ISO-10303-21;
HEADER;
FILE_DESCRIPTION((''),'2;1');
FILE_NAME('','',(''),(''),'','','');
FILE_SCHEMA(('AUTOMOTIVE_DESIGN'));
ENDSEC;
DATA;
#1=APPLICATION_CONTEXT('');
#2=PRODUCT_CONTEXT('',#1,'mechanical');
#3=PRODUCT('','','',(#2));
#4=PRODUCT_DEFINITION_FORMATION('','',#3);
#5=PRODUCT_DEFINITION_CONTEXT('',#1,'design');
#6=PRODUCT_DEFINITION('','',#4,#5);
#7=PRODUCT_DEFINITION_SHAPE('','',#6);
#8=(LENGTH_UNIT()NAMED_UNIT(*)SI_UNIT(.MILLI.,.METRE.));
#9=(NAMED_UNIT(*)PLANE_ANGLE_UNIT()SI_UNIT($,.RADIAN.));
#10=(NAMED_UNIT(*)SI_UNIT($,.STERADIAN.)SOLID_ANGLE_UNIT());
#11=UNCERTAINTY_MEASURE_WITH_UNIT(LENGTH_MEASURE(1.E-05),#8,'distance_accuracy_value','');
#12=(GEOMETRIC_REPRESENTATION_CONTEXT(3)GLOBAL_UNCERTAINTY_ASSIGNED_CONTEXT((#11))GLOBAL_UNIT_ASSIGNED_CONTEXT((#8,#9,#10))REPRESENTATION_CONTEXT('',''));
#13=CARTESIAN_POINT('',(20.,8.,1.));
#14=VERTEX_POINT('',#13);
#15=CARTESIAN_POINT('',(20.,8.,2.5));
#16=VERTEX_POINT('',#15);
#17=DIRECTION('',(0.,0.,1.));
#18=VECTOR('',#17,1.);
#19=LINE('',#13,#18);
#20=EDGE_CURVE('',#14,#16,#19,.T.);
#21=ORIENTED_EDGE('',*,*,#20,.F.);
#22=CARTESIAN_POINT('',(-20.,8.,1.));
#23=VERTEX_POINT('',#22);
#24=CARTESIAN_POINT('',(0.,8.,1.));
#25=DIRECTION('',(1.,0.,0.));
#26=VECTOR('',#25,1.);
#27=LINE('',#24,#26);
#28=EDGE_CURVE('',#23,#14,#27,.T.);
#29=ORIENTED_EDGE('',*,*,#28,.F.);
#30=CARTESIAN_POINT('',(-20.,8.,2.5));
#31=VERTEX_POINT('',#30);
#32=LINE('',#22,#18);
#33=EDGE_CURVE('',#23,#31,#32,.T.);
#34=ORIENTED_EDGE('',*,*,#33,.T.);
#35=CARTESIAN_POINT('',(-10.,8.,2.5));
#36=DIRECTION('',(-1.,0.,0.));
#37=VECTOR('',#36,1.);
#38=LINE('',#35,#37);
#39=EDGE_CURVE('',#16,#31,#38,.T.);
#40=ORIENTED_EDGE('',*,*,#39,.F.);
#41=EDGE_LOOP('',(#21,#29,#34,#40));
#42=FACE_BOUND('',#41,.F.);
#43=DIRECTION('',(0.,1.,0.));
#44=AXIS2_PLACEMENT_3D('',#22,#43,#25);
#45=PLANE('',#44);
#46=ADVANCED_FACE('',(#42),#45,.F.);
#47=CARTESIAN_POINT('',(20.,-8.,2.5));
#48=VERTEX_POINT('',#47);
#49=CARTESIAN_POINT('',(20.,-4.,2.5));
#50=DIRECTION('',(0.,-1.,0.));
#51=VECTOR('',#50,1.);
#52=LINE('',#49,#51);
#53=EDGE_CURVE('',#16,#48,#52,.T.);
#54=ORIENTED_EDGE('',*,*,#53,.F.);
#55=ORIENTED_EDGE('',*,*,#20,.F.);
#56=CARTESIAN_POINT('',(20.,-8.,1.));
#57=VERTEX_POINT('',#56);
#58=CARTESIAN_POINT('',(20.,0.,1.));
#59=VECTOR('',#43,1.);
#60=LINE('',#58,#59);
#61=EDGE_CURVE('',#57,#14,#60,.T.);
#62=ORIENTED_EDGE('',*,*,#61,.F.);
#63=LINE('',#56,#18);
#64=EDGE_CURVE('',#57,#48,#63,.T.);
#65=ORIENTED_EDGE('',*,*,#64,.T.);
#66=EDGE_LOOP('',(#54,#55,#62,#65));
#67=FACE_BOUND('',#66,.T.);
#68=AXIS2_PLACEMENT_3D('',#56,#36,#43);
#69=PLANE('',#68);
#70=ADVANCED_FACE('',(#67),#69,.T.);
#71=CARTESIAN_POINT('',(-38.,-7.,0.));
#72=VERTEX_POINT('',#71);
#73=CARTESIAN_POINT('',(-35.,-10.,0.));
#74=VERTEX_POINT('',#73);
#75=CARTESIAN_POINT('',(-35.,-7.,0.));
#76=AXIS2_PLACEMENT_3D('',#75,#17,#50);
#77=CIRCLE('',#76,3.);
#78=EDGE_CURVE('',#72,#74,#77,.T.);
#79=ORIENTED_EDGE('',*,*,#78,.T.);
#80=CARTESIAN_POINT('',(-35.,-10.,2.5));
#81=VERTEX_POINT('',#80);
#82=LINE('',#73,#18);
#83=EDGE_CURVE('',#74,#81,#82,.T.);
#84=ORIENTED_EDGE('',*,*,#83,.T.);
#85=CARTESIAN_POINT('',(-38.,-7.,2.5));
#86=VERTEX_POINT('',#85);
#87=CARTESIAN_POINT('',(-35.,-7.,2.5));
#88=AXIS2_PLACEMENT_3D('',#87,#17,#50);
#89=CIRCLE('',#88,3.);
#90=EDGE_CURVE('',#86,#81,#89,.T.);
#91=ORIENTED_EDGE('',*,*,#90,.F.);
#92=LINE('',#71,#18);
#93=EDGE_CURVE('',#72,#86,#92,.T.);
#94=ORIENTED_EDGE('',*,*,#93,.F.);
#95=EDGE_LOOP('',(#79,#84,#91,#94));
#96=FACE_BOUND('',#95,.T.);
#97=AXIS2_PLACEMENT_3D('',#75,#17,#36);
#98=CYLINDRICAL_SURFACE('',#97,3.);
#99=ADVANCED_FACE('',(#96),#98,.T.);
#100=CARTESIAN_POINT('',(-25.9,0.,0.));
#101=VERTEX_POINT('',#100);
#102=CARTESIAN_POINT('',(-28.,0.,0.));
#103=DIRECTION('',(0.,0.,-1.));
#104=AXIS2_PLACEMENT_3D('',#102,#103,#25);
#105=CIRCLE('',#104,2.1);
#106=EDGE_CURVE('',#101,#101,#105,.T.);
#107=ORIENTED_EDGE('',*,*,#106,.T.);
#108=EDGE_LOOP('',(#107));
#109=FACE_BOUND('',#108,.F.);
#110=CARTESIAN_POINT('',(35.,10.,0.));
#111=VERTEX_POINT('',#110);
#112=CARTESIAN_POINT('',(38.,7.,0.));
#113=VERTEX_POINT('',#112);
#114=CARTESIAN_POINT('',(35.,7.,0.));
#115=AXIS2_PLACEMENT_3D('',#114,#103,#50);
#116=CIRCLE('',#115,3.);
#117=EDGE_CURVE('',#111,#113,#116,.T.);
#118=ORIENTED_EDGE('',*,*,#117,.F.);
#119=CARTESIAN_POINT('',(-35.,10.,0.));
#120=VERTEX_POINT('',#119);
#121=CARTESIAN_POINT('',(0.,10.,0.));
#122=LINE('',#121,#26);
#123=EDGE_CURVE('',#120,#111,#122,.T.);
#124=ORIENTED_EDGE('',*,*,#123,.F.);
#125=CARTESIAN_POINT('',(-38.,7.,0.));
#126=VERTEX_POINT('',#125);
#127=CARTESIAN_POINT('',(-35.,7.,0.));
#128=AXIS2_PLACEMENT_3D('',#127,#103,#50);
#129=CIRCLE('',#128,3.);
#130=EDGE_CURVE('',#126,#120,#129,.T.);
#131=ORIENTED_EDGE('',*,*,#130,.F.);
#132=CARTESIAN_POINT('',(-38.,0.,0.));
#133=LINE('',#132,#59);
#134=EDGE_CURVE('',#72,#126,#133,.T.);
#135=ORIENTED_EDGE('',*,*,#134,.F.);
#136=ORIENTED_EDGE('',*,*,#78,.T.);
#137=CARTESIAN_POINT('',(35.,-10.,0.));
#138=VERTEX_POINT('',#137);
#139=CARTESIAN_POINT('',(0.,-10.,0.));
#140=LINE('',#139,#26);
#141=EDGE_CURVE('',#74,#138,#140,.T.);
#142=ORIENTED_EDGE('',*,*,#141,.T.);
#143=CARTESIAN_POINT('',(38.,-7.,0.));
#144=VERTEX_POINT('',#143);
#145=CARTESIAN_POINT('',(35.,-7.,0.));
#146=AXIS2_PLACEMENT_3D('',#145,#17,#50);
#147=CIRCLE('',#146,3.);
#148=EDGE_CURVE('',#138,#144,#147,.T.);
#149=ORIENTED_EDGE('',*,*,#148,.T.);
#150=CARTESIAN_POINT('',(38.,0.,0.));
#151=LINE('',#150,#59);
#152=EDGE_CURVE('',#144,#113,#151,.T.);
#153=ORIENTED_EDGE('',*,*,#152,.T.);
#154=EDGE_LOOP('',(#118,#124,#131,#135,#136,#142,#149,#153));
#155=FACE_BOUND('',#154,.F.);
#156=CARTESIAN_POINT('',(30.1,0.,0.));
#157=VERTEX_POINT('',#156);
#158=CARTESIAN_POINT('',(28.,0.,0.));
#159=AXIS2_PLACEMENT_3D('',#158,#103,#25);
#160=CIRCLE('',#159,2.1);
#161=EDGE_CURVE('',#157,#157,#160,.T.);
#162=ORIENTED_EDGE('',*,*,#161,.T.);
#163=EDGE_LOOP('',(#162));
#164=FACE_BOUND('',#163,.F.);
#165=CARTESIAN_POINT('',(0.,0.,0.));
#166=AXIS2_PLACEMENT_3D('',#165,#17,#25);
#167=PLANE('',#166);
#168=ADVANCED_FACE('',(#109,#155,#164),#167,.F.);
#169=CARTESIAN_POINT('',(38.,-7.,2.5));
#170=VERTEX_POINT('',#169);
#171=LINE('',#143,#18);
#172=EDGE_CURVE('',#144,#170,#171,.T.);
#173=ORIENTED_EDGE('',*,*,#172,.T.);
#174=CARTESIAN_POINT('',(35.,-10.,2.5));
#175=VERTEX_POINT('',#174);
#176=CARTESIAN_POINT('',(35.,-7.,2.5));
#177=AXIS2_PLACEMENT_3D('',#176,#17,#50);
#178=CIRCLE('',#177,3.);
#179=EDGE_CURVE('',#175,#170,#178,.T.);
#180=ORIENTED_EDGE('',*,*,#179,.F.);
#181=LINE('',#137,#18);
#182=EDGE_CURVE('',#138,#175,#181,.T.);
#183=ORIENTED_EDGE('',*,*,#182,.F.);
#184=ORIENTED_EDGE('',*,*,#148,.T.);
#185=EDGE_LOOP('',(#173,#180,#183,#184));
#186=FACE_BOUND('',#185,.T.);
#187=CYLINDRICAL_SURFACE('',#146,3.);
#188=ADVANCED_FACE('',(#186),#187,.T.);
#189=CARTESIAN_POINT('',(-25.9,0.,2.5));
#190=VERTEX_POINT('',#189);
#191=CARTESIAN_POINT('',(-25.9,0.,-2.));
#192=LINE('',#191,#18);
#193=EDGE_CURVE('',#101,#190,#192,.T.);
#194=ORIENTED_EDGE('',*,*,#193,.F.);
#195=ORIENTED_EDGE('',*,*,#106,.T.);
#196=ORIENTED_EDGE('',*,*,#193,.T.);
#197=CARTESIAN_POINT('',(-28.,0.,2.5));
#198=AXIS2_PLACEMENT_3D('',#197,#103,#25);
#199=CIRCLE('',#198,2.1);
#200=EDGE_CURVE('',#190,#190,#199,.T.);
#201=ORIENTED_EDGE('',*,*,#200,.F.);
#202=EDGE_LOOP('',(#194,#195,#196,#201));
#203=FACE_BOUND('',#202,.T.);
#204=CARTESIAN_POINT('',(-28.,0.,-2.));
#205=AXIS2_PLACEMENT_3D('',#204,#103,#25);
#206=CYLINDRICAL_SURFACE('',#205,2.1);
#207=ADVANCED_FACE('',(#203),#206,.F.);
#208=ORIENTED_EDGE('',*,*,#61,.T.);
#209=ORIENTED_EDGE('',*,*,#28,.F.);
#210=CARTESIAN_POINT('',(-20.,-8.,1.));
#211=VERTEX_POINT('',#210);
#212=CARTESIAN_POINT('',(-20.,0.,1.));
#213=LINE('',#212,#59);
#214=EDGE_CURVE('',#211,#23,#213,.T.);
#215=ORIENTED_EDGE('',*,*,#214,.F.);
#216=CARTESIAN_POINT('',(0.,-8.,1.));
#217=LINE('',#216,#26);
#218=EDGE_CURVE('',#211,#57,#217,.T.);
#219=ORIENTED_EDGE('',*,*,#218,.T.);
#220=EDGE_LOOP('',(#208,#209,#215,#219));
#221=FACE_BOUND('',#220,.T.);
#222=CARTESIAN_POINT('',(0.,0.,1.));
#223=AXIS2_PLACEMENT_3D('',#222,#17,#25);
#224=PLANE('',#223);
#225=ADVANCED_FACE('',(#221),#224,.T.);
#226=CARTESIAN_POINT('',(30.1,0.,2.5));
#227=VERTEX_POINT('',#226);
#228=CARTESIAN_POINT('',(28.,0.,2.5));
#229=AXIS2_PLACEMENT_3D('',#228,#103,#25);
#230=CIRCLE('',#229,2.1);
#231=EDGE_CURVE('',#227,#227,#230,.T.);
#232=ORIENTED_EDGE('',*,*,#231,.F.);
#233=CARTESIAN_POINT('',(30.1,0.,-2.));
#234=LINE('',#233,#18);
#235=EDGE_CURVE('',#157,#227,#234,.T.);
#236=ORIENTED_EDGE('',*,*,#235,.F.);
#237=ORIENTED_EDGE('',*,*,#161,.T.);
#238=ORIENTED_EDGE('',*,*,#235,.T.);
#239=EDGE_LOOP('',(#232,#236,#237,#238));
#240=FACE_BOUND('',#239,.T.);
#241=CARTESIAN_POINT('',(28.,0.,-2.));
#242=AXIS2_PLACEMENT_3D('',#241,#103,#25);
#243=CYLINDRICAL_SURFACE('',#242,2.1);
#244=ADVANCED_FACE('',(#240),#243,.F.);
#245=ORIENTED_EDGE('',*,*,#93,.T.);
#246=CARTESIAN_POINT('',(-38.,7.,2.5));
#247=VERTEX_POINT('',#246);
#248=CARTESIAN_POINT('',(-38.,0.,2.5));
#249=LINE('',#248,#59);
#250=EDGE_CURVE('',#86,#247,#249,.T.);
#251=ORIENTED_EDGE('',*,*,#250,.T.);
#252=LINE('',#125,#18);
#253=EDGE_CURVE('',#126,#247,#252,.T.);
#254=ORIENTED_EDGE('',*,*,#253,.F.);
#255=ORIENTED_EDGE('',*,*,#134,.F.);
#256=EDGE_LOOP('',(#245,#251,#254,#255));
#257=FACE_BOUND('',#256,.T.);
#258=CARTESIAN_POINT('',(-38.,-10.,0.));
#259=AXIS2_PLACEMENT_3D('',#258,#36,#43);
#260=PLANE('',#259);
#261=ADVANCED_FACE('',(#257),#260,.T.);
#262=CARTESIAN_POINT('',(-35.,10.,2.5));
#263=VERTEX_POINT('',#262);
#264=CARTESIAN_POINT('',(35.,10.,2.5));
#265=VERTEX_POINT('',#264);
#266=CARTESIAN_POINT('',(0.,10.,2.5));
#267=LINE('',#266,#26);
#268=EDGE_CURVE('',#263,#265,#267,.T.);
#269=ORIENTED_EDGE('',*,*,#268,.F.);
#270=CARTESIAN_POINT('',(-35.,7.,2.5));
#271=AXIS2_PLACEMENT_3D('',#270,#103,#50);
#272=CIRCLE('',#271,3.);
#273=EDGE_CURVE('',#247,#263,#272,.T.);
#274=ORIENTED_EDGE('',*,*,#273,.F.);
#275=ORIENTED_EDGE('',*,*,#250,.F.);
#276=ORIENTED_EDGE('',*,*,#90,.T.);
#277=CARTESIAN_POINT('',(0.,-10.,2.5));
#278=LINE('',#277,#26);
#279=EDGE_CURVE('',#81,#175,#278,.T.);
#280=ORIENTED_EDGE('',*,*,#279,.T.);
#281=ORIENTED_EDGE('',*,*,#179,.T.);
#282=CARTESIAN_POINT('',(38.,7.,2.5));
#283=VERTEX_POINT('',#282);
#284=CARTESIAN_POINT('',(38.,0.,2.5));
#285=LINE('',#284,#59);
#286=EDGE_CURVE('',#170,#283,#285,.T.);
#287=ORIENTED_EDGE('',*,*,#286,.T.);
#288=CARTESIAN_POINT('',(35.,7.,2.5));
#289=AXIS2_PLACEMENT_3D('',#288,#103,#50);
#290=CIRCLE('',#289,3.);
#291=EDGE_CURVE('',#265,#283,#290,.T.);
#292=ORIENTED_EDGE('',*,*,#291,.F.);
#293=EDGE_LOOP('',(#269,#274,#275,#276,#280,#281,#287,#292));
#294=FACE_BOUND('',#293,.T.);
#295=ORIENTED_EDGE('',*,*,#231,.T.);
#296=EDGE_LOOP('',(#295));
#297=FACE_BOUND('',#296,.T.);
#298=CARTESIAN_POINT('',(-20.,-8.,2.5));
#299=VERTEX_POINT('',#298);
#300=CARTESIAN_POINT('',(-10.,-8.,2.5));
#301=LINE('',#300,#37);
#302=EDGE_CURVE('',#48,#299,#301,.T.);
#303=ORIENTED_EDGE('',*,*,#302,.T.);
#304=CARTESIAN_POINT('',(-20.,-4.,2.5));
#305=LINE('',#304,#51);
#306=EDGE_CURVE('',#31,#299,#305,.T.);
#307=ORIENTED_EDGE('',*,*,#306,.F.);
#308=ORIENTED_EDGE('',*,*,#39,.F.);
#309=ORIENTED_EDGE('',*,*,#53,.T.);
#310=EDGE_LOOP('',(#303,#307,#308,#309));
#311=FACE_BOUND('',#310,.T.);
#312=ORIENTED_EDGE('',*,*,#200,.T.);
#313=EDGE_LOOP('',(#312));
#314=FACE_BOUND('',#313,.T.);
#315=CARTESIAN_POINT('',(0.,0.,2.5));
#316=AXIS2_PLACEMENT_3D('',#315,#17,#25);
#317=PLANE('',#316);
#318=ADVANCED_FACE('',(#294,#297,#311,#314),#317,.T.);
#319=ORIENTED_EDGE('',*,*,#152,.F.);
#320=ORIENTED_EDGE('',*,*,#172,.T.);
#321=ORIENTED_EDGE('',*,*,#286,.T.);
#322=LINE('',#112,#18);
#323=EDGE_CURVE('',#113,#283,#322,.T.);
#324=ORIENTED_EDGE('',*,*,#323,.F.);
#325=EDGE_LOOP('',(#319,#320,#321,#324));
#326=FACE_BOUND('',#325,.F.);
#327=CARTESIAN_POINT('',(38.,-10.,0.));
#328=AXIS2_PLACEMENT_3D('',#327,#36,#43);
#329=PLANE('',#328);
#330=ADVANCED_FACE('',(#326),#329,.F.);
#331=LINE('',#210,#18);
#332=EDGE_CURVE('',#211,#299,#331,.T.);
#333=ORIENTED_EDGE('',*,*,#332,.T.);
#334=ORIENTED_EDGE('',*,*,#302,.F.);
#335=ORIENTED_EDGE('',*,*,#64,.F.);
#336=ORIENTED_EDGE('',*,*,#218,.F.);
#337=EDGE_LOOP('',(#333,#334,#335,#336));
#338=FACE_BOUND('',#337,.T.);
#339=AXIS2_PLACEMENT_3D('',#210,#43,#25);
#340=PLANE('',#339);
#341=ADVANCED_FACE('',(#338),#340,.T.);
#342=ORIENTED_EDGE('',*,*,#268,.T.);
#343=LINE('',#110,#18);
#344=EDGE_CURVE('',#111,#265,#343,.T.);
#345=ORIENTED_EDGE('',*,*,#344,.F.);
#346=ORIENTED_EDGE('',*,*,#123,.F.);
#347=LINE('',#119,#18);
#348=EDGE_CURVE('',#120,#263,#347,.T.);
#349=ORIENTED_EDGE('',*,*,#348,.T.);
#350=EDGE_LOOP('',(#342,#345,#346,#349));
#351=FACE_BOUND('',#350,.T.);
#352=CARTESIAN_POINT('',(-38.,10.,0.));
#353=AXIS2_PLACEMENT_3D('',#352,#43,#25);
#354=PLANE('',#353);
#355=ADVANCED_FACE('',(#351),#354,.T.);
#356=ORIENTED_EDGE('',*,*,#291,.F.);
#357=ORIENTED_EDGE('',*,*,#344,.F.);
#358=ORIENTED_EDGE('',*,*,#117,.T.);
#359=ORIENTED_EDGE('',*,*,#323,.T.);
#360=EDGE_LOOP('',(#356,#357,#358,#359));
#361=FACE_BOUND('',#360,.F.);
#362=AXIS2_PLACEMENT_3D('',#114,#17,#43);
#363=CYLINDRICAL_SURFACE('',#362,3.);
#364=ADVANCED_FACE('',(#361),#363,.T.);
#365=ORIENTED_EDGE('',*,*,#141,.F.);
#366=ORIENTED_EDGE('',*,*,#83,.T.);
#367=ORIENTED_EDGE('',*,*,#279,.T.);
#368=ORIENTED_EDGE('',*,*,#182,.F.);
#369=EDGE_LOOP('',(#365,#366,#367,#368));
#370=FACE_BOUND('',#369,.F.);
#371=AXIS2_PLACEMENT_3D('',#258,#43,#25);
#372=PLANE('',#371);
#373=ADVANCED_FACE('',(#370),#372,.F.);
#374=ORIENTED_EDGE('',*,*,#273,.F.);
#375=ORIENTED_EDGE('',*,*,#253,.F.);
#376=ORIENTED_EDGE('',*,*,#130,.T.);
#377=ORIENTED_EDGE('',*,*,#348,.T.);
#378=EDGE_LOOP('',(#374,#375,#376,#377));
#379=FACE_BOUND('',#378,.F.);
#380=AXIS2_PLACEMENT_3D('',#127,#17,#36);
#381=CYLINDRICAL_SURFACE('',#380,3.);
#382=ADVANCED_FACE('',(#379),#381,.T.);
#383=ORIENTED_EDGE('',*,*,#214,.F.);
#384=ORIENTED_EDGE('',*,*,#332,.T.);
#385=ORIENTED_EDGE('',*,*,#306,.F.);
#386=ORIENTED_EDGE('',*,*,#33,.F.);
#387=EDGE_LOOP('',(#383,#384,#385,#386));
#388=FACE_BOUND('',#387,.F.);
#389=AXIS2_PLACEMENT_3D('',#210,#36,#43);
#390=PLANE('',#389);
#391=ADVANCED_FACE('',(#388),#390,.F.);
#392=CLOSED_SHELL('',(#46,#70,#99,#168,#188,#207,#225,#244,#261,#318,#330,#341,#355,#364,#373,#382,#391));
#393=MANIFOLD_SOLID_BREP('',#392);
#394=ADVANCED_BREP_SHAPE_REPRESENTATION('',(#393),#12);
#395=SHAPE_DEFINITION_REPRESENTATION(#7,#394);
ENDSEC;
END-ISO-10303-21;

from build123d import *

# Parameters (mm, degrees)
CYLINDER002_R     = 2.1
CYLINDER002_DEPTH = 10
CYLINDER001_R     = 2.1
CYLINDER001_DEPTH = 10
BOX012_W          = 40
BOX012_H          = 16
BOX012_DEPTH      = 2.5
BOX011_W          = 76
BOX011_H          = 20
BOX011_DEPTH      = 2.5
FILLET014_R       = 3


with BuildPart() as cylinder002:
    # Cylinder002 → Cylinder002 (new body)
    with BuildSketch(Plane(origin=(28, 0, -2), x_dir=(1, 0, 0), z_dir=(0, 0, 1))):
        Circle(CYLINDER002_R)
    extrude(amount=CYLINDER002_DEPTH)


with BuildPart() as fusion005:
    # Cylinder001 → Cylinder001 (new body)
    with BuildSketch(Plane(origin=(-28, 0, -2), x_dir=(1, 0, 0), z_dir=(0, 0, 1))):
        Circle(CYLINDER001_R)
    extrude(amount=CYLINDER001_DEPTH)

    # Fusion005: union Cylinder002
    add(cylinder002.part)


with BuildPart() as cube012:
    # Box012 → Box012 (new body)
    with BuildSketch(Plane(origin=(-20, -8, 1), x_dir=(1, 0, 0), z_dir=(0, 0, 1))):
        with Locations((20, 8)):
            Rectangle(BOX012_W, BOX012_H)
    extrude(amount=BOX012_DEPTH)


with BuildPart() as cut017:
    # Box011 → Box011 (new body)
    with BuildSketch(Plane(origin=(-38, -10, 0), x_dir=(1, 0, 0), z_dir=(0, 0, 1))):
        with Locations((38, 10)):
            Rectangle(BOX011_W, BOX011_H)
    extrude(amount=BOX011_DEPTH)

    # Cut016: cut Cube012
    add(cube012.part, mode=Mode.SUBTRACT)

    # Fillet014
    fillet014_edges = [cut017.edges().sort_by_distance(p)[0] for p in [
        (-38, -10, 1.25),
        (-38, 10, 1.25),
        (38, -10, 1.25),
        (38, 10, 1.25),
    ]]
    fillet(fillet014_edges, radius=FILLET014_R)

    # Cut017: cut Fusion005
    add(fusion005.part, mode=Mode.SUBTRACT)


solid = cut017.part
